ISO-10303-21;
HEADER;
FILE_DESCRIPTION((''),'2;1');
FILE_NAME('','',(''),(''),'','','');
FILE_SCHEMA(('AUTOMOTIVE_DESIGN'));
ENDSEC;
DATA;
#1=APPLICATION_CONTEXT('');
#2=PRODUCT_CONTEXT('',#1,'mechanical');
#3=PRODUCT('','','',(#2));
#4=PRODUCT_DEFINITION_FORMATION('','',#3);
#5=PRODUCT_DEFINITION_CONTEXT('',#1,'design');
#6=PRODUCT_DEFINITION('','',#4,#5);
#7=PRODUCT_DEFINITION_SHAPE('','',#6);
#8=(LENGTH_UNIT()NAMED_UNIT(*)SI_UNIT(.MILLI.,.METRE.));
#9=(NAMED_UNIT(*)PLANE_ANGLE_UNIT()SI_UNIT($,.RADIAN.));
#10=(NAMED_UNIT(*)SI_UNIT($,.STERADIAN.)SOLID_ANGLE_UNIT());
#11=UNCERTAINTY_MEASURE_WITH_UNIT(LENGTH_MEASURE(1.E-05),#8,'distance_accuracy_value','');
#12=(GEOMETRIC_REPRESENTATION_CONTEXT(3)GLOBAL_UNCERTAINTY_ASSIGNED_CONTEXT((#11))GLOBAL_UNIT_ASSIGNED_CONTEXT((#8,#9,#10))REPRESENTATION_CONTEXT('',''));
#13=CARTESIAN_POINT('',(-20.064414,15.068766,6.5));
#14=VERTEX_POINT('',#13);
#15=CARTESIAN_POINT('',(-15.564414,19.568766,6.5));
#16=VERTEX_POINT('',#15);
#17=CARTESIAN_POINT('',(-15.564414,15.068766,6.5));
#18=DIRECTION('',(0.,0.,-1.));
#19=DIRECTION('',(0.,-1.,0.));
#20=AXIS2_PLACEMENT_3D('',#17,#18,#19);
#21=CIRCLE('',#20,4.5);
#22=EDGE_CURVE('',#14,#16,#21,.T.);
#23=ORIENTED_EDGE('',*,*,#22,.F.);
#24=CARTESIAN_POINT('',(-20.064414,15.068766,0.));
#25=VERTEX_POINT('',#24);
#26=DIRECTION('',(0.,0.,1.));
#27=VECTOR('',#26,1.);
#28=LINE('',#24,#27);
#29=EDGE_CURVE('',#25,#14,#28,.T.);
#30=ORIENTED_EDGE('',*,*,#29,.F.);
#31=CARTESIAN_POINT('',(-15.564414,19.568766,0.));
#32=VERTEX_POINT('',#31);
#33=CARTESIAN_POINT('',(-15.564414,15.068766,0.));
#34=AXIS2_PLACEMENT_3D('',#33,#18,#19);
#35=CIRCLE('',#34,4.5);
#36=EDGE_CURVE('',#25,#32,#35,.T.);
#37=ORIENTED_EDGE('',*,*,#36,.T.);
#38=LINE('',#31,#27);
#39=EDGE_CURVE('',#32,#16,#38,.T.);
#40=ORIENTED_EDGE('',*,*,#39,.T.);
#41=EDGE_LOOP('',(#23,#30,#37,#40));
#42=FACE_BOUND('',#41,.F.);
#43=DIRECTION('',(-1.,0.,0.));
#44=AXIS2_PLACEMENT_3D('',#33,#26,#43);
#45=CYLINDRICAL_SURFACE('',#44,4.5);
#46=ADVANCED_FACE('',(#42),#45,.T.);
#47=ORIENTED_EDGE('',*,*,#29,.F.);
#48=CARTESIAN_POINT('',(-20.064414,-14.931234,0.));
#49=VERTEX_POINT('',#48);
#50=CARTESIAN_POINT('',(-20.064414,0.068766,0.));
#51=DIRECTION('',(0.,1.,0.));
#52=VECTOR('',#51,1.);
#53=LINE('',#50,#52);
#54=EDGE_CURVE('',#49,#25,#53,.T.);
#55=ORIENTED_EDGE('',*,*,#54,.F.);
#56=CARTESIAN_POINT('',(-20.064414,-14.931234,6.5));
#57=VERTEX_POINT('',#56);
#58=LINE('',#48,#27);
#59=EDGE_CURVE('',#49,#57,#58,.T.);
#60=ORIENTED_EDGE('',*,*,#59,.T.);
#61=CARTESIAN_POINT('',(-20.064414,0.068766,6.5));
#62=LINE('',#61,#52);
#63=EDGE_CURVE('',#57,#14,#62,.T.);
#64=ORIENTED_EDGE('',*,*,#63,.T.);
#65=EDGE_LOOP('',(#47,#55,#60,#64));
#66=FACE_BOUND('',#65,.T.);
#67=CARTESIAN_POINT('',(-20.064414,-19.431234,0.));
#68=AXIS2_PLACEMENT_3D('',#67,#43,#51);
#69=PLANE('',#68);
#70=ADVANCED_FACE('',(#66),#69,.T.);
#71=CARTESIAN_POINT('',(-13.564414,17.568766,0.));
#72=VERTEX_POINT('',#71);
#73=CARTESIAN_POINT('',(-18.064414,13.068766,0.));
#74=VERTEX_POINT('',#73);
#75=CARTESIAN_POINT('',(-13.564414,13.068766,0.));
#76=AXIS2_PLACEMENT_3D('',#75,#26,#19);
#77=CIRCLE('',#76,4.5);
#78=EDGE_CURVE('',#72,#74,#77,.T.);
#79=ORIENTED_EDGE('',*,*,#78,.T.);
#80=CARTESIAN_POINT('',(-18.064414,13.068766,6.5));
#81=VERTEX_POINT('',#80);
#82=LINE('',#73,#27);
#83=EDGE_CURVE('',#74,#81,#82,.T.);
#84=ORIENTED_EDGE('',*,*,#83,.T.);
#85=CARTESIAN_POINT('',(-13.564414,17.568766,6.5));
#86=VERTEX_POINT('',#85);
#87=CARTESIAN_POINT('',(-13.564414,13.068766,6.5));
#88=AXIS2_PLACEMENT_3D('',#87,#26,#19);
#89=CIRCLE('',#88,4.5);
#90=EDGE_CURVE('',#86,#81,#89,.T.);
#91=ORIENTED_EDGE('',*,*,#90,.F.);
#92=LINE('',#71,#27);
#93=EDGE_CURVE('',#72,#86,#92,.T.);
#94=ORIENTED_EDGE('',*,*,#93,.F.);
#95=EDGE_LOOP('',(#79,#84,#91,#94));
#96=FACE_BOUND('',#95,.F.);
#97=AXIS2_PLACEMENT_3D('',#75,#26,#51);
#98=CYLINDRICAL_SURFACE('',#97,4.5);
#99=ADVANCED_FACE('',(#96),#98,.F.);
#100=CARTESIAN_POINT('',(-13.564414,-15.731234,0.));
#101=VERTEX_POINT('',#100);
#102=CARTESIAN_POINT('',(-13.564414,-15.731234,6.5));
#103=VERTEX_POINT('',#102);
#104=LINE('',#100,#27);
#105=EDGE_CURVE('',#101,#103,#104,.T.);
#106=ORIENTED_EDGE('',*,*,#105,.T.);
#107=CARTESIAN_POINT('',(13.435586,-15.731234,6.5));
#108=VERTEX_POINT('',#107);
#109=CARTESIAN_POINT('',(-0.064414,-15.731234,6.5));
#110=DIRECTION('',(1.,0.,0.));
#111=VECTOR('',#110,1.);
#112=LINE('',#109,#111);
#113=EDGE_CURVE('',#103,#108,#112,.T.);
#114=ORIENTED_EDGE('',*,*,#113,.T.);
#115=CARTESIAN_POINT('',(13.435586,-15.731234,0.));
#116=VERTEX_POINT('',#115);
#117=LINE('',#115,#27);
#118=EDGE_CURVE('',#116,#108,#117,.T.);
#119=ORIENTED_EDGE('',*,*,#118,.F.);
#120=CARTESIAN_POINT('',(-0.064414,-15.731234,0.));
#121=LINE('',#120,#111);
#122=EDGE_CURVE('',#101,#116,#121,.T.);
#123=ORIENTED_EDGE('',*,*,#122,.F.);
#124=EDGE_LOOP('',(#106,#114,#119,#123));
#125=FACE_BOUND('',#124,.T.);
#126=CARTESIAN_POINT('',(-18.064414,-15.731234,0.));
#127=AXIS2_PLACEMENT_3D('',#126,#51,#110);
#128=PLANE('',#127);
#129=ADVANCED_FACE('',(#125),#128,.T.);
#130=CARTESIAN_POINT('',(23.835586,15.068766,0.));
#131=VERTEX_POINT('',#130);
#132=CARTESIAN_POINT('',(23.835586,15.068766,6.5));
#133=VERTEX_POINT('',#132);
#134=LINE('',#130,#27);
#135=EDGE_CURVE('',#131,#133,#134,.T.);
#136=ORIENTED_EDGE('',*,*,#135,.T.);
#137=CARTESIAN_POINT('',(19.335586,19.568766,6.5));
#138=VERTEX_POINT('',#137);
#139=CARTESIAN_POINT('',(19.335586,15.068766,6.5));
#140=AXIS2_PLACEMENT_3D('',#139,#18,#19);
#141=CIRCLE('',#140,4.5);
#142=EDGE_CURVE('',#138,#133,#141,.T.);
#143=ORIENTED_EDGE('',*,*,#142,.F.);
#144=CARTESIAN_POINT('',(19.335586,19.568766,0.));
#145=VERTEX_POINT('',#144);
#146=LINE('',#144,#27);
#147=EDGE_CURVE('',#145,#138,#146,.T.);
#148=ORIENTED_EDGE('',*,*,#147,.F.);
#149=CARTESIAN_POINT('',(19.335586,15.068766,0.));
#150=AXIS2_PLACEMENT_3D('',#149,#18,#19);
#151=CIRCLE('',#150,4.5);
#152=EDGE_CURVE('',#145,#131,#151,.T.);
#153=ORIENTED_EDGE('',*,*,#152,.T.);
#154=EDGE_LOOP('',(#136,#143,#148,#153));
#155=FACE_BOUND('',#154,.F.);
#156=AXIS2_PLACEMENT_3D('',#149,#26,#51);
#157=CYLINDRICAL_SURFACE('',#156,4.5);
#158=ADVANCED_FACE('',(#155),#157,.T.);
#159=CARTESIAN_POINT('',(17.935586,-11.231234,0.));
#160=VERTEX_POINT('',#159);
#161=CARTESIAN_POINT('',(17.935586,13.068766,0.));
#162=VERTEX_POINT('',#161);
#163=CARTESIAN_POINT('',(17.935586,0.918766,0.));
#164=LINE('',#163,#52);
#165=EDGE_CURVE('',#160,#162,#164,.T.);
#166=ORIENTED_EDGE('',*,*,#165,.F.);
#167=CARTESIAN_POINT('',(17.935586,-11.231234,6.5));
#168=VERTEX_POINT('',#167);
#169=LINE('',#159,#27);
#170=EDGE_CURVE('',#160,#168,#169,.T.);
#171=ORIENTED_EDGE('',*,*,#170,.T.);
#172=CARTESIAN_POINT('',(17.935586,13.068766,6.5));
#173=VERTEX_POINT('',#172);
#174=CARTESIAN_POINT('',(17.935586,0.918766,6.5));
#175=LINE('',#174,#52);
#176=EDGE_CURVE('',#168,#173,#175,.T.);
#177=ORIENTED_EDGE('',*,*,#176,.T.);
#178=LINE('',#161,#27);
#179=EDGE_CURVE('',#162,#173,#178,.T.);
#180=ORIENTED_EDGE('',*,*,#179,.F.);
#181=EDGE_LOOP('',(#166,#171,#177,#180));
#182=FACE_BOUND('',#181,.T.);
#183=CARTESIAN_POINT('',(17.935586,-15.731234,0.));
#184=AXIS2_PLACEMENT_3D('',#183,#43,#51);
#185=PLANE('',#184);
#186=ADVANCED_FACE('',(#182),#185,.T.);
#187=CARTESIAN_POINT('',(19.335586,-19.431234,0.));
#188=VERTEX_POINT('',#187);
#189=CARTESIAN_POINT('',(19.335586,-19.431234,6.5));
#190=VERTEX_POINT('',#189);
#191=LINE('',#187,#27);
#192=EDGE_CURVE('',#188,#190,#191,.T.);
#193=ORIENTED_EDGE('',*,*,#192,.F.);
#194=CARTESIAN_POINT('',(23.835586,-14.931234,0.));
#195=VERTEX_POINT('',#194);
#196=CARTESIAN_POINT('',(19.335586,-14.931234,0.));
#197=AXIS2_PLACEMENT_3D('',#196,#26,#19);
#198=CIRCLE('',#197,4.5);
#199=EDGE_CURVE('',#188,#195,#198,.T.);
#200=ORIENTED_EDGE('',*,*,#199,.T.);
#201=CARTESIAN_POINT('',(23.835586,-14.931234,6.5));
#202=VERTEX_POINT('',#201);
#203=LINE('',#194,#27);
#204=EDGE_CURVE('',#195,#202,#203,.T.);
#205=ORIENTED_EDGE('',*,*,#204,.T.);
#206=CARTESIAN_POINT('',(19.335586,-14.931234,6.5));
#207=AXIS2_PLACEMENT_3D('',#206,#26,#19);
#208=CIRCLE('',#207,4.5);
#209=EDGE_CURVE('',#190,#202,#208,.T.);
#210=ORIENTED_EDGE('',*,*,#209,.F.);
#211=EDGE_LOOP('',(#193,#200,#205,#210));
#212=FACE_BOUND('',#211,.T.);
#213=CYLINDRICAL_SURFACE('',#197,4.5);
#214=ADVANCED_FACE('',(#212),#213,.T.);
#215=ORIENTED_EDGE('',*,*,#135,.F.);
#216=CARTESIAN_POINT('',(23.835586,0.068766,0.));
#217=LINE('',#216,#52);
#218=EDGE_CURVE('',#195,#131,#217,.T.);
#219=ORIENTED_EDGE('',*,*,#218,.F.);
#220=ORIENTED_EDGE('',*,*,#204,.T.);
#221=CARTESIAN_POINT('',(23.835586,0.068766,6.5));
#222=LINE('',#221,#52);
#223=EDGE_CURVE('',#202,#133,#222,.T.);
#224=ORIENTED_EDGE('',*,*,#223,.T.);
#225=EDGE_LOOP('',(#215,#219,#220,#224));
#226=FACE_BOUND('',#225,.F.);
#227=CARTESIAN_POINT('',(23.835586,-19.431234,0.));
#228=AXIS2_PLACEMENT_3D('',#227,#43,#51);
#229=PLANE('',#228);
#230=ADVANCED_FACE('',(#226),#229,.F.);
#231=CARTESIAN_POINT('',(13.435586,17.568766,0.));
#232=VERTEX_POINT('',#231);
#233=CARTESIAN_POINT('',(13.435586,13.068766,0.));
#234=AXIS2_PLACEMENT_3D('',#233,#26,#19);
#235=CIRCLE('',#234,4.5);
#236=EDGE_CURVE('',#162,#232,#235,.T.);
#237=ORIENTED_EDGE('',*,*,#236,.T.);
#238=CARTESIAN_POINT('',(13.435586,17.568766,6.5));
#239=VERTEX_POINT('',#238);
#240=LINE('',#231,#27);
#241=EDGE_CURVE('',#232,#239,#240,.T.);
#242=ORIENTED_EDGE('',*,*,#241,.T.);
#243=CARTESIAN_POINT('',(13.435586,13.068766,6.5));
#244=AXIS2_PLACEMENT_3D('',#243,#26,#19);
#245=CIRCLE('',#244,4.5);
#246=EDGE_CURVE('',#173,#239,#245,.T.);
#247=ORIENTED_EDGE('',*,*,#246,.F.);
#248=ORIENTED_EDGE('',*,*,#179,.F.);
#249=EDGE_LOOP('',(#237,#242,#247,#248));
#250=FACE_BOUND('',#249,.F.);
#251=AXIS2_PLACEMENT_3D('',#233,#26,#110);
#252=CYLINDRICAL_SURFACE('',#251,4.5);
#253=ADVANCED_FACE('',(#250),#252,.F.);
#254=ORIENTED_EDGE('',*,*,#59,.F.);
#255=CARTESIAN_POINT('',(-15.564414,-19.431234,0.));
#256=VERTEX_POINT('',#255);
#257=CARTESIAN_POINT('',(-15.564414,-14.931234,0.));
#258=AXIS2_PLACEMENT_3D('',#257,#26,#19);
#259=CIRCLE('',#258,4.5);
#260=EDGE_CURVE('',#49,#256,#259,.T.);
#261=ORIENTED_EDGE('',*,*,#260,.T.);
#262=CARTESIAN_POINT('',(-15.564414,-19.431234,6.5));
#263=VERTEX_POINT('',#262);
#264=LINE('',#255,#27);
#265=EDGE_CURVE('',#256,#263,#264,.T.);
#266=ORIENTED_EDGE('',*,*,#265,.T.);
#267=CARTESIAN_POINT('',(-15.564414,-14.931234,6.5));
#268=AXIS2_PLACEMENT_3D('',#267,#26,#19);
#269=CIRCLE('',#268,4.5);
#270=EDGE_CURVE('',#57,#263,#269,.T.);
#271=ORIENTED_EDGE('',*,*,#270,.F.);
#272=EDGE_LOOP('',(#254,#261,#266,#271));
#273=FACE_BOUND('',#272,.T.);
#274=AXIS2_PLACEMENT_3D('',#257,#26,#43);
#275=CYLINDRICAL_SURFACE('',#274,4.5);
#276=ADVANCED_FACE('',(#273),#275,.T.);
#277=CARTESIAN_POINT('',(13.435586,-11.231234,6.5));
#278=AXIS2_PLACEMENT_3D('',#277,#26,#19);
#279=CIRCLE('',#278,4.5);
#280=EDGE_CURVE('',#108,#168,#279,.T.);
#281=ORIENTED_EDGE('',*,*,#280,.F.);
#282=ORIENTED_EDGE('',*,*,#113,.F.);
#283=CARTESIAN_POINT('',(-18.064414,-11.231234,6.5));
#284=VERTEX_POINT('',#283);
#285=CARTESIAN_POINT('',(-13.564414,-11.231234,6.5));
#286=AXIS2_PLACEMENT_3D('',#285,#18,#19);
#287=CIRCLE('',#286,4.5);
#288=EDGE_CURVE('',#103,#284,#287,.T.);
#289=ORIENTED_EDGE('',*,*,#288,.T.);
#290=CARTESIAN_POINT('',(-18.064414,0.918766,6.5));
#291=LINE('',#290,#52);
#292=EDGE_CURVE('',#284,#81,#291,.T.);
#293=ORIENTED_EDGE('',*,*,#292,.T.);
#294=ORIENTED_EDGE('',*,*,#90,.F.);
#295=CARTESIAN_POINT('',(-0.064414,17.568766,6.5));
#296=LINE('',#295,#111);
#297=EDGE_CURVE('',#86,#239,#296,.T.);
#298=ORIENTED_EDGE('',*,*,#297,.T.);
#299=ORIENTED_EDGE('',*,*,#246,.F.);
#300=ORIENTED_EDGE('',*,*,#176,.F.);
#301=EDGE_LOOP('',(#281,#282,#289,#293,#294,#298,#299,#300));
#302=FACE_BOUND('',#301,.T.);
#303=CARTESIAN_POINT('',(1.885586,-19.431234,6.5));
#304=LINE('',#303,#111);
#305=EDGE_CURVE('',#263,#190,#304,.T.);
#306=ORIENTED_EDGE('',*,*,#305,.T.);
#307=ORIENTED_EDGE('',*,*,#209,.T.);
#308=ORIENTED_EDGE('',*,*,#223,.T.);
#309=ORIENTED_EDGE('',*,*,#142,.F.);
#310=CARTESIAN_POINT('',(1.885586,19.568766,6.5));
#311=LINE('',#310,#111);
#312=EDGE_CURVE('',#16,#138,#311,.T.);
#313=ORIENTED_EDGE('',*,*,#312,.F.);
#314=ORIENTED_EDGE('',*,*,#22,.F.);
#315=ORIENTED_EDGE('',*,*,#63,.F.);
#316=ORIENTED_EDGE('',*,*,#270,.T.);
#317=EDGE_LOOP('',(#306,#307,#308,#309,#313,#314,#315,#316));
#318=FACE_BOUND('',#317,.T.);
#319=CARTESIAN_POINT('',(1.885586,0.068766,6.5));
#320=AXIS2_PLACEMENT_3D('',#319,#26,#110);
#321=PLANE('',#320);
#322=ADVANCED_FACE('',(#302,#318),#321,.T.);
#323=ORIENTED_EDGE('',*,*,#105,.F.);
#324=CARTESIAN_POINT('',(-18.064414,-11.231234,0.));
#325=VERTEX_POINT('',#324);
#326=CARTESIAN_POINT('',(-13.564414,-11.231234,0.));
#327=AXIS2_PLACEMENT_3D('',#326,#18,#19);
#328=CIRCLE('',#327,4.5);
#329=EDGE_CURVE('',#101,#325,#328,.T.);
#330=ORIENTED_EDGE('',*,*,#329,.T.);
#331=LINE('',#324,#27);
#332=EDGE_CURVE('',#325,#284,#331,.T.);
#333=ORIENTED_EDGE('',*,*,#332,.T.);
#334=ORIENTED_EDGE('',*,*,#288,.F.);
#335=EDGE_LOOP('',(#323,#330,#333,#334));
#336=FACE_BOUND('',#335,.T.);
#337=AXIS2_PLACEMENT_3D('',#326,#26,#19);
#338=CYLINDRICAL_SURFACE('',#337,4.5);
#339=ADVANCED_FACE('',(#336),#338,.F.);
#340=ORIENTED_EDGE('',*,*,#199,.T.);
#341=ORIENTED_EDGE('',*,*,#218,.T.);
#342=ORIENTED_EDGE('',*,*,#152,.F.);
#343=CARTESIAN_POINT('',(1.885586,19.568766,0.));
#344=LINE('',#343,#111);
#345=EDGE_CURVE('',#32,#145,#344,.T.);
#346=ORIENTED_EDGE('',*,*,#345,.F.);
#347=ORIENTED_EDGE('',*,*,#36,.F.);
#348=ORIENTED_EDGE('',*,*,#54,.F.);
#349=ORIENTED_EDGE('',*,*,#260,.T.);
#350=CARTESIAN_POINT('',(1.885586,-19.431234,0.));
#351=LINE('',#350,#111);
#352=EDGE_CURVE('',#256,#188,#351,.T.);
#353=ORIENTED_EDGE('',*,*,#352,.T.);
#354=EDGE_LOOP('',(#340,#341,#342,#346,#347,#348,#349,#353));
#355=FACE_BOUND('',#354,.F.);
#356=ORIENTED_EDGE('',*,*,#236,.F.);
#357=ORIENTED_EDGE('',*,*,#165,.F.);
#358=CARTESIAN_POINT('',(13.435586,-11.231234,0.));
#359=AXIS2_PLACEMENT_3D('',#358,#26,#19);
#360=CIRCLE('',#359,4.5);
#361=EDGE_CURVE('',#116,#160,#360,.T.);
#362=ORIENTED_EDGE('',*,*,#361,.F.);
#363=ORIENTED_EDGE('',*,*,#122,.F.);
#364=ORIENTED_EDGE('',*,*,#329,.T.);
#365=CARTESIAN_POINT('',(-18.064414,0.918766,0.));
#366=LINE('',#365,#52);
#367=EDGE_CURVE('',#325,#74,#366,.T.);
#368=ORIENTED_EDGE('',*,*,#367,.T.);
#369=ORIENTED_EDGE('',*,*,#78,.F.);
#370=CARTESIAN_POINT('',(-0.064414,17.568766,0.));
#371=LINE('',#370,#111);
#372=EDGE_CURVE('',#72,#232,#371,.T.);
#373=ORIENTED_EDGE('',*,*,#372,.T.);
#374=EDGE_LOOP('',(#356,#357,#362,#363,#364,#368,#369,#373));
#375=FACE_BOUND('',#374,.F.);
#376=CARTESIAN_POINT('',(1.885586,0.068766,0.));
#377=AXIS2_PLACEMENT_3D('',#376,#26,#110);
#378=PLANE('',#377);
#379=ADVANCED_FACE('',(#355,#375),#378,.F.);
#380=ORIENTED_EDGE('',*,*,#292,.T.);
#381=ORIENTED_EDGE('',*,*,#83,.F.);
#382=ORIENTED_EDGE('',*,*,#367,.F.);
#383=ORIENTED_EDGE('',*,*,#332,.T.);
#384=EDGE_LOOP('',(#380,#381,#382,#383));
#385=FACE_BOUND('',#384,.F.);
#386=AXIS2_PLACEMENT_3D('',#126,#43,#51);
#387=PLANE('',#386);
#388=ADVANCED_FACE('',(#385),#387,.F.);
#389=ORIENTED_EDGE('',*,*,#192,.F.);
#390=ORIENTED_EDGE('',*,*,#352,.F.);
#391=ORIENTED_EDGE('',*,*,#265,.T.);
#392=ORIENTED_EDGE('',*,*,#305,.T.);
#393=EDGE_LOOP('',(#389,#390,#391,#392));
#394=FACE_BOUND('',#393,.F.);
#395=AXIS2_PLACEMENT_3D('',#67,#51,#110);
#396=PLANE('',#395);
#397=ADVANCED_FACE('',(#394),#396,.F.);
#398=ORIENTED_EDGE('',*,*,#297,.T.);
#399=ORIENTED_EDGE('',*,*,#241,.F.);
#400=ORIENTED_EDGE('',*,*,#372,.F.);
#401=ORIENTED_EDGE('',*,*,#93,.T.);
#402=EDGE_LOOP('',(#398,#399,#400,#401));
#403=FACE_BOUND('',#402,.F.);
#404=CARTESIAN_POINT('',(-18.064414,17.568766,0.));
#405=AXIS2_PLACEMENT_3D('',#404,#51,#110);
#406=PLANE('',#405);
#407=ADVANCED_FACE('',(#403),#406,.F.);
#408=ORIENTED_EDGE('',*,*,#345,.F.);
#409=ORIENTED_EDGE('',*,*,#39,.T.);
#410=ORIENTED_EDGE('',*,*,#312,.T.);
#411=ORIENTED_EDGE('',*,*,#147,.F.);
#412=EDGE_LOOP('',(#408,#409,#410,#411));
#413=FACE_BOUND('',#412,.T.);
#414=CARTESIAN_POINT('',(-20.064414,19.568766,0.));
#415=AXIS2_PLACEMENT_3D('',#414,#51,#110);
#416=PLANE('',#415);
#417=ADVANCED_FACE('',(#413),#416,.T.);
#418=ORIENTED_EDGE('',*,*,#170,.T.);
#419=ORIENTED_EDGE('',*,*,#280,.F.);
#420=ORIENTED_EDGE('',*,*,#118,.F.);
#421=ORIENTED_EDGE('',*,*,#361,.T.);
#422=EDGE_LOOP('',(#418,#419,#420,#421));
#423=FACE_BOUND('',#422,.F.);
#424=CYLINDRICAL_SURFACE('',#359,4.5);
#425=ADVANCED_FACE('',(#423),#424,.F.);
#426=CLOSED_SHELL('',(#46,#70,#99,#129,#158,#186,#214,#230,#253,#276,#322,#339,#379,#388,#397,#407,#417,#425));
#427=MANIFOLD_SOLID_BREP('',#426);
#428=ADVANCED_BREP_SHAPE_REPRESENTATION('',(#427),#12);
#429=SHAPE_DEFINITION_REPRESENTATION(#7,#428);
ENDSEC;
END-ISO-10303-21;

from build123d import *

# Parameters (mm, degrees)
F0_W     = 43.9
F0_H     = 39
F0_W_2   = 36
F0_H_2   = 33.3
F1_DEPTH = 6.5
F2_R     = 4.5


with BuildPart() as f1:
    # F0 (on Top) → F1 (new body)
    with BuildSketch(Plane.XY):
        with Locations((1.885586, 0.068766)):
            Rectangle(F0_W, F0_H)
        with Locations((-0.064414, 0.918766)):
            Rectangle(F0_W_2, F0_H_2, mode=Mode.SUBTRACT)
    extrude(amount=F1_DEPTH)

    # F2
    f2_edges = [f1.edges().sort_by_distance(p)[0] for p in [
        (-18.064414, 17.568766, 3.25),
        (-18.064414, -15.731234, 3.25),
        (17.935586, -15.731234, 3.25),
        (17.935586, 17.568766, 3.25),
        (23.835586, -19.431234, 3.25),
        (-20.064414, -19.431234, 3.25),
        (23.835586, 19.568766, 3.25),
        (-20.064414, 19.568766, 3.25),
    ]]
    fillet(f2_edges, radius=F2_R)


solid = f1.part
